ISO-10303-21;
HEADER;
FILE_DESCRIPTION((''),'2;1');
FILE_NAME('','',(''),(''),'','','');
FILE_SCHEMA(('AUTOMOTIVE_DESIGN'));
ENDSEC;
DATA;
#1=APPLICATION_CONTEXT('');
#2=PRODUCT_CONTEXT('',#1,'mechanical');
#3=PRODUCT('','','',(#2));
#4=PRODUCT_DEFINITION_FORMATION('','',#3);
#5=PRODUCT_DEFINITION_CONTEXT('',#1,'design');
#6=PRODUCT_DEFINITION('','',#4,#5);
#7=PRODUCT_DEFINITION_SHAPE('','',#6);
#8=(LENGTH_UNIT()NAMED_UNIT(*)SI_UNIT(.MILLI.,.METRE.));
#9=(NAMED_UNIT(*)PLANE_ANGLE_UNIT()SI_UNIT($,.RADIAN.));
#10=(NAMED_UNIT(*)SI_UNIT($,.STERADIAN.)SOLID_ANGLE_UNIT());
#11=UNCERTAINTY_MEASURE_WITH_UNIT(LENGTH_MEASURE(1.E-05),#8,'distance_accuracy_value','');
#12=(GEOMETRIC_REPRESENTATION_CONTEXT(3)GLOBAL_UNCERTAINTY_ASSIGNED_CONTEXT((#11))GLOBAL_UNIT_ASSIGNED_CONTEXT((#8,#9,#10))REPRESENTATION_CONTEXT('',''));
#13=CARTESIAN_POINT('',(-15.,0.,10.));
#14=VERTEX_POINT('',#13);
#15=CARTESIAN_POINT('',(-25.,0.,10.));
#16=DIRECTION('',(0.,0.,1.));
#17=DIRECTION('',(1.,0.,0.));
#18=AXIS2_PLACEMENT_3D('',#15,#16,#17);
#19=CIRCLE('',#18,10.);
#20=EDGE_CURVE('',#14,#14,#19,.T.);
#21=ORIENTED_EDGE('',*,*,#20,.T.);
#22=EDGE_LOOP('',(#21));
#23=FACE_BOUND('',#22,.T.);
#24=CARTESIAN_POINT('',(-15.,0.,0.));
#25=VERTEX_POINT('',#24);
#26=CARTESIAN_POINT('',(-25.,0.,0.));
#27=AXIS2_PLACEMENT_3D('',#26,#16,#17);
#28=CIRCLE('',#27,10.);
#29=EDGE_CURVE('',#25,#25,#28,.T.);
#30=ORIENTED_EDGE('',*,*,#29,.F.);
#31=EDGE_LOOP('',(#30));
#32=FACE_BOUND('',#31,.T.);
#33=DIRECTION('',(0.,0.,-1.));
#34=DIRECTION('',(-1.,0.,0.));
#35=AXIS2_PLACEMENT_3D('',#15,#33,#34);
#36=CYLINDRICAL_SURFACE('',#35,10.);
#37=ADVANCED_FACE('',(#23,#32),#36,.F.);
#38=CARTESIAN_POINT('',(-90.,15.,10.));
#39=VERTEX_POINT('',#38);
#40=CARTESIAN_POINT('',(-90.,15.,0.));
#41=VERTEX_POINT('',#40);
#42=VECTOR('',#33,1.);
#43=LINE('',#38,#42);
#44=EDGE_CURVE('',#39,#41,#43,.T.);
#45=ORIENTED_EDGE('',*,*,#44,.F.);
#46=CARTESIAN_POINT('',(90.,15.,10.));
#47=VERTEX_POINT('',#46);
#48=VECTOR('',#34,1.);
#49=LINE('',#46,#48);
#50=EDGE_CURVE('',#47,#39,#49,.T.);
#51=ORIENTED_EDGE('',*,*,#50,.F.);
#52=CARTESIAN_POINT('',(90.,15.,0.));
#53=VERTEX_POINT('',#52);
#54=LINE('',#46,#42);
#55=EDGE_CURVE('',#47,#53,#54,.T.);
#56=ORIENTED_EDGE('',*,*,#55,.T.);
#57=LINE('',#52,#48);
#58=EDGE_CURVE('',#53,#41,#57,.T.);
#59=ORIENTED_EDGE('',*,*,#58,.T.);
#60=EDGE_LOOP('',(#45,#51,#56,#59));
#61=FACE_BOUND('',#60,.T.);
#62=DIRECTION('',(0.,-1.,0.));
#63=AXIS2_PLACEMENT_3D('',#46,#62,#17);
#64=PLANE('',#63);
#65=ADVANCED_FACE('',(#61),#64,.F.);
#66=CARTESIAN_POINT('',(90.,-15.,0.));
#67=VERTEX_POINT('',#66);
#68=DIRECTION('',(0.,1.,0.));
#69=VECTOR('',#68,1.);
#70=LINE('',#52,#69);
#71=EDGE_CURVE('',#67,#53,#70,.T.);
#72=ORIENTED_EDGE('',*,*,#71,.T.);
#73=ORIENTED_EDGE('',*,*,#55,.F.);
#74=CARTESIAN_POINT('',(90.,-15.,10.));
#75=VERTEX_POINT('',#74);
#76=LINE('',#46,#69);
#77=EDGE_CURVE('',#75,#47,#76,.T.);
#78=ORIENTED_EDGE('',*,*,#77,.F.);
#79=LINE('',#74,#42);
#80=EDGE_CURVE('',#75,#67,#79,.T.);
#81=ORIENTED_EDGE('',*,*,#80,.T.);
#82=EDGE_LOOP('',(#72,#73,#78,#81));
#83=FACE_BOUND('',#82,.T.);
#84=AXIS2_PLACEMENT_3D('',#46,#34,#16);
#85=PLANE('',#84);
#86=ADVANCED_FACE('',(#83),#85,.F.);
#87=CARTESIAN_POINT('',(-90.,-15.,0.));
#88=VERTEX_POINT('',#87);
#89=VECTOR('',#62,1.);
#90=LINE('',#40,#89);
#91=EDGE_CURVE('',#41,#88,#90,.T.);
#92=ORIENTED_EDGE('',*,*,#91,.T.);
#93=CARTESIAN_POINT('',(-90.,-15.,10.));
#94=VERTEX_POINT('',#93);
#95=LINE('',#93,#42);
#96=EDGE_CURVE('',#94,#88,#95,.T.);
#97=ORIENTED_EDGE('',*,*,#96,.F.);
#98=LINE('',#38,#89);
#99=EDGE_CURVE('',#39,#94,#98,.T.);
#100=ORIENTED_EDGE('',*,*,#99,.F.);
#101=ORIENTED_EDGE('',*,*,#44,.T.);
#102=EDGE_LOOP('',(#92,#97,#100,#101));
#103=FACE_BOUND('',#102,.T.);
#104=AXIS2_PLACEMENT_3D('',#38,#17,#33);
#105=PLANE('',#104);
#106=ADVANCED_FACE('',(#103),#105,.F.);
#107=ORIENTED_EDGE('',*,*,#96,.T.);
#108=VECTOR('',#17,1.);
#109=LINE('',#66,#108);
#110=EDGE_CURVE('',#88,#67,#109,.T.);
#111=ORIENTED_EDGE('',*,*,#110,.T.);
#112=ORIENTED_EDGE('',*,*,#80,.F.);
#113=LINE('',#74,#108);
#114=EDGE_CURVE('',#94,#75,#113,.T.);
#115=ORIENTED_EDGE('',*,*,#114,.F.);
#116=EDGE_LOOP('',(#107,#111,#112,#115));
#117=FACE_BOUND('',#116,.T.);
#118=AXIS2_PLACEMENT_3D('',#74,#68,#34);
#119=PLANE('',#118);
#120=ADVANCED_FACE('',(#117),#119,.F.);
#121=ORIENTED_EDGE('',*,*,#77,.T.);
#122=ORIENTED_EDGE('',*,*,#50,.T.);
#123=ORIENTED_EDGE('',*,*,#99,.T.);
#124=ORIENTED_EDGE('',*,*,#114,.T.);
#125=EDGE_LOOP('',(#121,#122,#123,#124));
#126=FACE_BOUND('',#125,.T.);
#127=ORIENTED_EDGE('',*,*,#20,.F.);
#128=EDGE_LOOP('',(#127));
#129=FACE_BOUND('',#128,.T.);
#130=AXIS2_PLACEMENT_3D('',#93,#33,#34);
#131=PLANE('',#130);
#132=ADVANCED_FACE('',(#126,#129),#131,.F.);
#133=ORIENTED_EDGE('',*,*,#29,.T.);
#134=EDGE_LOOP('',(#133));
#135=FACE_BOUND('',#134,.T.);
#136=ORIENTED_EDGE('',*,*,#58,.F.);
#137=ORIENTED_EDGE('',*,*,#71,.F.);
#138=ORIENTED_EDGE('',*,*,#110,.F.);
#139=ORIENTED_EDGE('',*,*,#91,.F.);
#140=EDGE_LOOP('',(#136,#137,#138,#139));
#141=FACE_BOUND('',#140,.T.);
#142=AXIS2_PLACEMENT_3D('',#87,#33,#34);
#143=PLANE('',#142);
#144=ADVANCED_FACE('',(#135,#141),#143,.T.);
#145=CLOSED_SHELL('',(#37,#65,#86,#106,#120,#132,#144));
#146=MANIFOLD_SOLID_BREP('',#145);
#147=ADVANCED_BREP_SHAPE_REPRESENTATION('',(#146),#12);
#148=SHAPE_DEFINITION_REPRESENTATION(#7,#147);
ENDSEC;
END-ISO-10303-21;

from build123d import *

# Parameters (mm, degrees)
ESQUISSE1_W        = 180
ESQUISSE1_H        = 30
ESQUISSE1_R        = 10
BOSS_EXTRU_1_DEPTH = 10


with BuildPart() as part:
    # Esquisse1 → Boss.-Extru.1 (new body)
    with BuildSketch(Plane.XY):
        Rectangle(ESQUISSE1_W, ESQUISSE1_H)
        with Locations((-25, 0)):
            Circle(ESQUISSE1_R, mode=Mode.SUBTRACT)
    extrude(amount=BOSS_EXTRU_1_DEPTH)


solid = part.part
